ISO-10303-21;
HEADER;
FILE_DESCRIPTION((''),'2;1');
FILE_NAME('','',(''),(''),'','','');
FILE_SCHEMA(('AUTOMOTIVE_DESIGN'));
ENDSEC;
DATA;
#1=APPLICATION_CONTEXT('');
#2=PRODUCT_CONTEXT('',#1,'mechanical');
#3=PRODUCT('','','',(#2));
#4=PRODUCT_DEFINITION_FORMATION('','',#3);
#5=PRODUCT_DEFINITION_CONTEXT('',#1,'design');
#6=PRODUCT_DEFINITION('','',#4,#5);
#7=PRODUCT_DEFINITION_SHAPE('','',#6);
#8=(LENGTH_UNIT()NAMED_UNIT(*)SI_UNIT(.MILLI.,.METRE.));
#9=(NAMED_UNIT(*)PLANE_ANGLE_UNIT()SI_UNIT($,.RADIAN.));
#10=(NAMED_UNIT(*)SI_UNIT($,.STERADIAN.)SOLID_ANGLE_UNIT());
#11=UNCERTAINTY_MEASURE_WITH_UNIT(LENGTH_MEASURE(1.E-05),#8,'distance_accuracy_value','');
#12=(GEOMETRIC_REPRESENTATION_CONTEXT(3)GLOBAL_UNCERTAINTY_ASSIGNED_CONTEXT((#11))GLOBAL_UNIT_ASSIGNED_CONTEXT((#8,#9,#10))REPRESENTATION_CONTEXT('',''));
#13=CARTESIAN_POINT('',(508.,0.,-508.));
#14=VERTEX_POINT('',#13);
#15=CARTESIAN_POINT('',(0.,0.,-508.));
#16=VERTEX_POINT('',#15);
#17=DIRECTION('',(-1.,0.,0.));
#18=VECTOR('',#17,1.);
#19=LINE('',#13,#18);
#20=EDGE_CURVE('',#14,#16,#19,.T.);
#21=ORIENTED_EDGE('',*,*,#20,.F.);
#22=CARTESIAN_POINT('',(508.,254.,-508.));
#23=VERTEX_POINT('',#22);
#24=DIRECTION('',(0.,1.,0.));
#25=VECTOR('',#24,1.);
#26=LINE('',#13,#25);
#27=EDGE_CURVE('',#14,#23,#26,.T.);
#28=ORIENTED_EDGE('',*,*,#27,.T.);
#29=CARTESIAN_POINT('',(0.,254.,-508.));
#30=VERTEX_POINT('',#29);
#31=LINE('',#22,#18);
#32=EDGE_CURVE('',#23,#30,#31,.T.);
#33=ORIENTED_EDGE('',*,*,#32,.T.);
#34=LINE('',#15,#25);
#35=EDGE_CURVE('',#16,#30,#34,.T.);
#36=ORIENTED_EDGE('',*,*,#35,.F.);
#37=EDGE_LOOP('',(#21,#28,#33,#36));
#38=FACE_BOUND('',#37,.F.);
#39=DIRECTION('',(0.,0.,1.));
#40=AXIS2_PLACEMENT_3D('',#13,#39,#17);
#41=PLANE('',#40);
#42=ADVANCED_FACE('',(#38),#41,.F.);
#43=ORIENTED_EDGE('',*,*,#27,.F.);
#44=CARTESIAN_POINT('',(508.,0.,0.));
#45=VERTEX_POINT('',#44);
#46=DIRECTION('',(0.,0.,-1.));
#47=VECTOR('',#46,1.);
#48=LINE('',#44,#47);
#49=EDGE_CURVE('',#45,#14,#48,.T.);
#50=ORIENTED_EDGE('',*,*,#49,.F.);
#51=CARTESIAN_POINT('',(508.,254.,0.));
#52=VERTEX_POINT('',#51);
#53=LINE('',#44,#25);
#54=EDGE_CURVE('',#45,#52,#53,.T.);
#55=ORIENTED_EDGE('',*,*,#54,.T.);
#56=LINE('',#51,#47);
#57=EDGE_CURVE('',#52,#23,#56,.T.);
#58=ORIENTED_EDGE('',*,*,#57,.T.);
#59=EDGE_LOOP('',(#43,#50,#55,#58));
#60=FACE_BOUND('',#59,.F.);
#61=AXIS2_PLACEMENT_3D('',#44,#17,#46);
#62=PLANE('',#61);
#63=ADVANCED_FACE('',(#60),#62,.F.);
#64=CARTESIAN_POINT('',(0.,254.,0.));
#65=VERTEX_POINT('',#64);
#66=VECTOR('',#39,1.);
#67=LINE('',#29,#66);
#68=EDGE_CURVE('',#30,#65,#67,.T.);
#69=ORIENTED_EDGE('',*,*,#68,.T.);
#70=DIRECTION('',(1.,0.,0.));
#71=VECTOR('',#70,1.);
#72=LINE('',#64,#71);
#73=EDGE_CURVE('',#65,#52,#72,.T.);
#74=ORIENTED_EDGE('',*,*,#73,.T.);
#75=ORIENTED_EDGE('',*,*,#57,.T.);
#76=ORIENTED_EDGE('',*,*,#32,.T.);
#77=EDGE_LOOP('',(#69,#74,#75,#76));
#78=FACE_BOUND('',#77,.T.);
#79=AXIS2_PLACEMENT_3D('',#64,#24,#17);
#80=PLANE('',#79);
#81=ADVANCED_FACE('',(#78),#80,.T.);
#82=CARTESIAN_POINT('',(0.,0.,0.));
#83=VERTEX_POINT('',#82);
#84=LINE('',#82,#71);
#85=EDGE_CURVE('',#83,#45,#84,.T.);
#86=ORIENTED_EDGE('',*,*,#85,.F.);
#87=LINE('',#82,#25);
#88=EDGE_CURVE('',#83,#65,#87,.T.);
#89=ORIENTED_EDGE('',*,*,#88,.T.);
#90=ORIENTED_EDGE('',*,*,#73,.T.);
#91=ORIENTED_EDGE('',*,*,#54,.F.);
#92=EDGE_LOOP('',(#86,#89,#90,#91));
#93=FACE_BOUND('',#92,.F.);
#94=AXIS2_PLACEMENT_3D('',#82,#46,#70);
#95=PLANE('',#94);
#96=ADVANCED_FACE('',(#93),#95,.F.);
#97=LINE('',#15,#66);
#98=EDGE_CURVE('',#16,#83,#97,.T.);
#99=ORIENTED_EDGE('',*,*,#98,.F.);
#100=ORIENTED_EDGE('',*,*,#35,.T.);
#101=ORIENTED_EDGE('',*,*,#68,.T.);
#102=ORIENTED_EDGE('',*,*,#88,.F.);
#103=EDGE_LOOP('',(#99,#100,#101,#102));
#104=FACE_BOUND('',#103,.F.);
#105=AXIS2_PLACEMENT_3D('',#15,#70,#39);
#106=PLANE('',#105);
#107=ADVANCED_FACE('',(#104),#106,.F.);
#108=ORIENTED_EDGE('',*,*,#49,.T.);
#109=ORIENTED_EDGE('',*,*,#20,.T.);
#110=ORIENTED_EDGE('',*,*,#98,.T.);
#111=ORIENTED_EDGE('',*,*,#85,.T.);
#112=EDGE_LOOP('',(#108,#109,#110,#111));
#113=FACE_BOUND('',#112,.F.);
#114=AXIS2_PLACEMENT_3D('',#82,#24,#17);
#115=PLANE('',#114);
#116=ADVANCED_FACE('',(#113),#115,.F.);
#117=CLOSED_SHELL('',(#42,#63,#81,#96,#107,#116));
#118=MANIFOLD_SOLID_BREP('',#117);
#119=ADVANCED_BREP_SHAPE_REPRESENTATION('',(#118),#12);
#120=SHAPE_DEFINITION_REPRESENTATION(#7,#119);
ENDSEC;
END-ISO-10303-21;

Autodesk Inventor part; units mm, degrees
ref_plane "YZ Plane" through (0, 0, 0) normal (1, 0, 0) x (0, 1, 0)
ref_plane "XZ Plane" through (0, 0, 0) normal (0, 1, 0) x (-1, 0, 0)
ref_plane "XY Plane" through (0, 0, 0) normal (0, 0, 1) x (1, 0, 0)
sketch "Sketch1" plane through (0, 0, 0) normal (0, 1, 0) x (-1, 0, 0)
  line L0 (0, 0) -> (-508, 0)
  line L1 (-508, 0) -> (-508, -508)
  line L2 (-508, -508) -> (0, -508)
  line L3 (0, -508) -> (0, 0)
  dimension "d0" = 508
  dimension "d1" = 508
extrude "Extrusion1" add sketch "Sketch1" along normal blind 254
properties part number "CE-5.1.1-00"
